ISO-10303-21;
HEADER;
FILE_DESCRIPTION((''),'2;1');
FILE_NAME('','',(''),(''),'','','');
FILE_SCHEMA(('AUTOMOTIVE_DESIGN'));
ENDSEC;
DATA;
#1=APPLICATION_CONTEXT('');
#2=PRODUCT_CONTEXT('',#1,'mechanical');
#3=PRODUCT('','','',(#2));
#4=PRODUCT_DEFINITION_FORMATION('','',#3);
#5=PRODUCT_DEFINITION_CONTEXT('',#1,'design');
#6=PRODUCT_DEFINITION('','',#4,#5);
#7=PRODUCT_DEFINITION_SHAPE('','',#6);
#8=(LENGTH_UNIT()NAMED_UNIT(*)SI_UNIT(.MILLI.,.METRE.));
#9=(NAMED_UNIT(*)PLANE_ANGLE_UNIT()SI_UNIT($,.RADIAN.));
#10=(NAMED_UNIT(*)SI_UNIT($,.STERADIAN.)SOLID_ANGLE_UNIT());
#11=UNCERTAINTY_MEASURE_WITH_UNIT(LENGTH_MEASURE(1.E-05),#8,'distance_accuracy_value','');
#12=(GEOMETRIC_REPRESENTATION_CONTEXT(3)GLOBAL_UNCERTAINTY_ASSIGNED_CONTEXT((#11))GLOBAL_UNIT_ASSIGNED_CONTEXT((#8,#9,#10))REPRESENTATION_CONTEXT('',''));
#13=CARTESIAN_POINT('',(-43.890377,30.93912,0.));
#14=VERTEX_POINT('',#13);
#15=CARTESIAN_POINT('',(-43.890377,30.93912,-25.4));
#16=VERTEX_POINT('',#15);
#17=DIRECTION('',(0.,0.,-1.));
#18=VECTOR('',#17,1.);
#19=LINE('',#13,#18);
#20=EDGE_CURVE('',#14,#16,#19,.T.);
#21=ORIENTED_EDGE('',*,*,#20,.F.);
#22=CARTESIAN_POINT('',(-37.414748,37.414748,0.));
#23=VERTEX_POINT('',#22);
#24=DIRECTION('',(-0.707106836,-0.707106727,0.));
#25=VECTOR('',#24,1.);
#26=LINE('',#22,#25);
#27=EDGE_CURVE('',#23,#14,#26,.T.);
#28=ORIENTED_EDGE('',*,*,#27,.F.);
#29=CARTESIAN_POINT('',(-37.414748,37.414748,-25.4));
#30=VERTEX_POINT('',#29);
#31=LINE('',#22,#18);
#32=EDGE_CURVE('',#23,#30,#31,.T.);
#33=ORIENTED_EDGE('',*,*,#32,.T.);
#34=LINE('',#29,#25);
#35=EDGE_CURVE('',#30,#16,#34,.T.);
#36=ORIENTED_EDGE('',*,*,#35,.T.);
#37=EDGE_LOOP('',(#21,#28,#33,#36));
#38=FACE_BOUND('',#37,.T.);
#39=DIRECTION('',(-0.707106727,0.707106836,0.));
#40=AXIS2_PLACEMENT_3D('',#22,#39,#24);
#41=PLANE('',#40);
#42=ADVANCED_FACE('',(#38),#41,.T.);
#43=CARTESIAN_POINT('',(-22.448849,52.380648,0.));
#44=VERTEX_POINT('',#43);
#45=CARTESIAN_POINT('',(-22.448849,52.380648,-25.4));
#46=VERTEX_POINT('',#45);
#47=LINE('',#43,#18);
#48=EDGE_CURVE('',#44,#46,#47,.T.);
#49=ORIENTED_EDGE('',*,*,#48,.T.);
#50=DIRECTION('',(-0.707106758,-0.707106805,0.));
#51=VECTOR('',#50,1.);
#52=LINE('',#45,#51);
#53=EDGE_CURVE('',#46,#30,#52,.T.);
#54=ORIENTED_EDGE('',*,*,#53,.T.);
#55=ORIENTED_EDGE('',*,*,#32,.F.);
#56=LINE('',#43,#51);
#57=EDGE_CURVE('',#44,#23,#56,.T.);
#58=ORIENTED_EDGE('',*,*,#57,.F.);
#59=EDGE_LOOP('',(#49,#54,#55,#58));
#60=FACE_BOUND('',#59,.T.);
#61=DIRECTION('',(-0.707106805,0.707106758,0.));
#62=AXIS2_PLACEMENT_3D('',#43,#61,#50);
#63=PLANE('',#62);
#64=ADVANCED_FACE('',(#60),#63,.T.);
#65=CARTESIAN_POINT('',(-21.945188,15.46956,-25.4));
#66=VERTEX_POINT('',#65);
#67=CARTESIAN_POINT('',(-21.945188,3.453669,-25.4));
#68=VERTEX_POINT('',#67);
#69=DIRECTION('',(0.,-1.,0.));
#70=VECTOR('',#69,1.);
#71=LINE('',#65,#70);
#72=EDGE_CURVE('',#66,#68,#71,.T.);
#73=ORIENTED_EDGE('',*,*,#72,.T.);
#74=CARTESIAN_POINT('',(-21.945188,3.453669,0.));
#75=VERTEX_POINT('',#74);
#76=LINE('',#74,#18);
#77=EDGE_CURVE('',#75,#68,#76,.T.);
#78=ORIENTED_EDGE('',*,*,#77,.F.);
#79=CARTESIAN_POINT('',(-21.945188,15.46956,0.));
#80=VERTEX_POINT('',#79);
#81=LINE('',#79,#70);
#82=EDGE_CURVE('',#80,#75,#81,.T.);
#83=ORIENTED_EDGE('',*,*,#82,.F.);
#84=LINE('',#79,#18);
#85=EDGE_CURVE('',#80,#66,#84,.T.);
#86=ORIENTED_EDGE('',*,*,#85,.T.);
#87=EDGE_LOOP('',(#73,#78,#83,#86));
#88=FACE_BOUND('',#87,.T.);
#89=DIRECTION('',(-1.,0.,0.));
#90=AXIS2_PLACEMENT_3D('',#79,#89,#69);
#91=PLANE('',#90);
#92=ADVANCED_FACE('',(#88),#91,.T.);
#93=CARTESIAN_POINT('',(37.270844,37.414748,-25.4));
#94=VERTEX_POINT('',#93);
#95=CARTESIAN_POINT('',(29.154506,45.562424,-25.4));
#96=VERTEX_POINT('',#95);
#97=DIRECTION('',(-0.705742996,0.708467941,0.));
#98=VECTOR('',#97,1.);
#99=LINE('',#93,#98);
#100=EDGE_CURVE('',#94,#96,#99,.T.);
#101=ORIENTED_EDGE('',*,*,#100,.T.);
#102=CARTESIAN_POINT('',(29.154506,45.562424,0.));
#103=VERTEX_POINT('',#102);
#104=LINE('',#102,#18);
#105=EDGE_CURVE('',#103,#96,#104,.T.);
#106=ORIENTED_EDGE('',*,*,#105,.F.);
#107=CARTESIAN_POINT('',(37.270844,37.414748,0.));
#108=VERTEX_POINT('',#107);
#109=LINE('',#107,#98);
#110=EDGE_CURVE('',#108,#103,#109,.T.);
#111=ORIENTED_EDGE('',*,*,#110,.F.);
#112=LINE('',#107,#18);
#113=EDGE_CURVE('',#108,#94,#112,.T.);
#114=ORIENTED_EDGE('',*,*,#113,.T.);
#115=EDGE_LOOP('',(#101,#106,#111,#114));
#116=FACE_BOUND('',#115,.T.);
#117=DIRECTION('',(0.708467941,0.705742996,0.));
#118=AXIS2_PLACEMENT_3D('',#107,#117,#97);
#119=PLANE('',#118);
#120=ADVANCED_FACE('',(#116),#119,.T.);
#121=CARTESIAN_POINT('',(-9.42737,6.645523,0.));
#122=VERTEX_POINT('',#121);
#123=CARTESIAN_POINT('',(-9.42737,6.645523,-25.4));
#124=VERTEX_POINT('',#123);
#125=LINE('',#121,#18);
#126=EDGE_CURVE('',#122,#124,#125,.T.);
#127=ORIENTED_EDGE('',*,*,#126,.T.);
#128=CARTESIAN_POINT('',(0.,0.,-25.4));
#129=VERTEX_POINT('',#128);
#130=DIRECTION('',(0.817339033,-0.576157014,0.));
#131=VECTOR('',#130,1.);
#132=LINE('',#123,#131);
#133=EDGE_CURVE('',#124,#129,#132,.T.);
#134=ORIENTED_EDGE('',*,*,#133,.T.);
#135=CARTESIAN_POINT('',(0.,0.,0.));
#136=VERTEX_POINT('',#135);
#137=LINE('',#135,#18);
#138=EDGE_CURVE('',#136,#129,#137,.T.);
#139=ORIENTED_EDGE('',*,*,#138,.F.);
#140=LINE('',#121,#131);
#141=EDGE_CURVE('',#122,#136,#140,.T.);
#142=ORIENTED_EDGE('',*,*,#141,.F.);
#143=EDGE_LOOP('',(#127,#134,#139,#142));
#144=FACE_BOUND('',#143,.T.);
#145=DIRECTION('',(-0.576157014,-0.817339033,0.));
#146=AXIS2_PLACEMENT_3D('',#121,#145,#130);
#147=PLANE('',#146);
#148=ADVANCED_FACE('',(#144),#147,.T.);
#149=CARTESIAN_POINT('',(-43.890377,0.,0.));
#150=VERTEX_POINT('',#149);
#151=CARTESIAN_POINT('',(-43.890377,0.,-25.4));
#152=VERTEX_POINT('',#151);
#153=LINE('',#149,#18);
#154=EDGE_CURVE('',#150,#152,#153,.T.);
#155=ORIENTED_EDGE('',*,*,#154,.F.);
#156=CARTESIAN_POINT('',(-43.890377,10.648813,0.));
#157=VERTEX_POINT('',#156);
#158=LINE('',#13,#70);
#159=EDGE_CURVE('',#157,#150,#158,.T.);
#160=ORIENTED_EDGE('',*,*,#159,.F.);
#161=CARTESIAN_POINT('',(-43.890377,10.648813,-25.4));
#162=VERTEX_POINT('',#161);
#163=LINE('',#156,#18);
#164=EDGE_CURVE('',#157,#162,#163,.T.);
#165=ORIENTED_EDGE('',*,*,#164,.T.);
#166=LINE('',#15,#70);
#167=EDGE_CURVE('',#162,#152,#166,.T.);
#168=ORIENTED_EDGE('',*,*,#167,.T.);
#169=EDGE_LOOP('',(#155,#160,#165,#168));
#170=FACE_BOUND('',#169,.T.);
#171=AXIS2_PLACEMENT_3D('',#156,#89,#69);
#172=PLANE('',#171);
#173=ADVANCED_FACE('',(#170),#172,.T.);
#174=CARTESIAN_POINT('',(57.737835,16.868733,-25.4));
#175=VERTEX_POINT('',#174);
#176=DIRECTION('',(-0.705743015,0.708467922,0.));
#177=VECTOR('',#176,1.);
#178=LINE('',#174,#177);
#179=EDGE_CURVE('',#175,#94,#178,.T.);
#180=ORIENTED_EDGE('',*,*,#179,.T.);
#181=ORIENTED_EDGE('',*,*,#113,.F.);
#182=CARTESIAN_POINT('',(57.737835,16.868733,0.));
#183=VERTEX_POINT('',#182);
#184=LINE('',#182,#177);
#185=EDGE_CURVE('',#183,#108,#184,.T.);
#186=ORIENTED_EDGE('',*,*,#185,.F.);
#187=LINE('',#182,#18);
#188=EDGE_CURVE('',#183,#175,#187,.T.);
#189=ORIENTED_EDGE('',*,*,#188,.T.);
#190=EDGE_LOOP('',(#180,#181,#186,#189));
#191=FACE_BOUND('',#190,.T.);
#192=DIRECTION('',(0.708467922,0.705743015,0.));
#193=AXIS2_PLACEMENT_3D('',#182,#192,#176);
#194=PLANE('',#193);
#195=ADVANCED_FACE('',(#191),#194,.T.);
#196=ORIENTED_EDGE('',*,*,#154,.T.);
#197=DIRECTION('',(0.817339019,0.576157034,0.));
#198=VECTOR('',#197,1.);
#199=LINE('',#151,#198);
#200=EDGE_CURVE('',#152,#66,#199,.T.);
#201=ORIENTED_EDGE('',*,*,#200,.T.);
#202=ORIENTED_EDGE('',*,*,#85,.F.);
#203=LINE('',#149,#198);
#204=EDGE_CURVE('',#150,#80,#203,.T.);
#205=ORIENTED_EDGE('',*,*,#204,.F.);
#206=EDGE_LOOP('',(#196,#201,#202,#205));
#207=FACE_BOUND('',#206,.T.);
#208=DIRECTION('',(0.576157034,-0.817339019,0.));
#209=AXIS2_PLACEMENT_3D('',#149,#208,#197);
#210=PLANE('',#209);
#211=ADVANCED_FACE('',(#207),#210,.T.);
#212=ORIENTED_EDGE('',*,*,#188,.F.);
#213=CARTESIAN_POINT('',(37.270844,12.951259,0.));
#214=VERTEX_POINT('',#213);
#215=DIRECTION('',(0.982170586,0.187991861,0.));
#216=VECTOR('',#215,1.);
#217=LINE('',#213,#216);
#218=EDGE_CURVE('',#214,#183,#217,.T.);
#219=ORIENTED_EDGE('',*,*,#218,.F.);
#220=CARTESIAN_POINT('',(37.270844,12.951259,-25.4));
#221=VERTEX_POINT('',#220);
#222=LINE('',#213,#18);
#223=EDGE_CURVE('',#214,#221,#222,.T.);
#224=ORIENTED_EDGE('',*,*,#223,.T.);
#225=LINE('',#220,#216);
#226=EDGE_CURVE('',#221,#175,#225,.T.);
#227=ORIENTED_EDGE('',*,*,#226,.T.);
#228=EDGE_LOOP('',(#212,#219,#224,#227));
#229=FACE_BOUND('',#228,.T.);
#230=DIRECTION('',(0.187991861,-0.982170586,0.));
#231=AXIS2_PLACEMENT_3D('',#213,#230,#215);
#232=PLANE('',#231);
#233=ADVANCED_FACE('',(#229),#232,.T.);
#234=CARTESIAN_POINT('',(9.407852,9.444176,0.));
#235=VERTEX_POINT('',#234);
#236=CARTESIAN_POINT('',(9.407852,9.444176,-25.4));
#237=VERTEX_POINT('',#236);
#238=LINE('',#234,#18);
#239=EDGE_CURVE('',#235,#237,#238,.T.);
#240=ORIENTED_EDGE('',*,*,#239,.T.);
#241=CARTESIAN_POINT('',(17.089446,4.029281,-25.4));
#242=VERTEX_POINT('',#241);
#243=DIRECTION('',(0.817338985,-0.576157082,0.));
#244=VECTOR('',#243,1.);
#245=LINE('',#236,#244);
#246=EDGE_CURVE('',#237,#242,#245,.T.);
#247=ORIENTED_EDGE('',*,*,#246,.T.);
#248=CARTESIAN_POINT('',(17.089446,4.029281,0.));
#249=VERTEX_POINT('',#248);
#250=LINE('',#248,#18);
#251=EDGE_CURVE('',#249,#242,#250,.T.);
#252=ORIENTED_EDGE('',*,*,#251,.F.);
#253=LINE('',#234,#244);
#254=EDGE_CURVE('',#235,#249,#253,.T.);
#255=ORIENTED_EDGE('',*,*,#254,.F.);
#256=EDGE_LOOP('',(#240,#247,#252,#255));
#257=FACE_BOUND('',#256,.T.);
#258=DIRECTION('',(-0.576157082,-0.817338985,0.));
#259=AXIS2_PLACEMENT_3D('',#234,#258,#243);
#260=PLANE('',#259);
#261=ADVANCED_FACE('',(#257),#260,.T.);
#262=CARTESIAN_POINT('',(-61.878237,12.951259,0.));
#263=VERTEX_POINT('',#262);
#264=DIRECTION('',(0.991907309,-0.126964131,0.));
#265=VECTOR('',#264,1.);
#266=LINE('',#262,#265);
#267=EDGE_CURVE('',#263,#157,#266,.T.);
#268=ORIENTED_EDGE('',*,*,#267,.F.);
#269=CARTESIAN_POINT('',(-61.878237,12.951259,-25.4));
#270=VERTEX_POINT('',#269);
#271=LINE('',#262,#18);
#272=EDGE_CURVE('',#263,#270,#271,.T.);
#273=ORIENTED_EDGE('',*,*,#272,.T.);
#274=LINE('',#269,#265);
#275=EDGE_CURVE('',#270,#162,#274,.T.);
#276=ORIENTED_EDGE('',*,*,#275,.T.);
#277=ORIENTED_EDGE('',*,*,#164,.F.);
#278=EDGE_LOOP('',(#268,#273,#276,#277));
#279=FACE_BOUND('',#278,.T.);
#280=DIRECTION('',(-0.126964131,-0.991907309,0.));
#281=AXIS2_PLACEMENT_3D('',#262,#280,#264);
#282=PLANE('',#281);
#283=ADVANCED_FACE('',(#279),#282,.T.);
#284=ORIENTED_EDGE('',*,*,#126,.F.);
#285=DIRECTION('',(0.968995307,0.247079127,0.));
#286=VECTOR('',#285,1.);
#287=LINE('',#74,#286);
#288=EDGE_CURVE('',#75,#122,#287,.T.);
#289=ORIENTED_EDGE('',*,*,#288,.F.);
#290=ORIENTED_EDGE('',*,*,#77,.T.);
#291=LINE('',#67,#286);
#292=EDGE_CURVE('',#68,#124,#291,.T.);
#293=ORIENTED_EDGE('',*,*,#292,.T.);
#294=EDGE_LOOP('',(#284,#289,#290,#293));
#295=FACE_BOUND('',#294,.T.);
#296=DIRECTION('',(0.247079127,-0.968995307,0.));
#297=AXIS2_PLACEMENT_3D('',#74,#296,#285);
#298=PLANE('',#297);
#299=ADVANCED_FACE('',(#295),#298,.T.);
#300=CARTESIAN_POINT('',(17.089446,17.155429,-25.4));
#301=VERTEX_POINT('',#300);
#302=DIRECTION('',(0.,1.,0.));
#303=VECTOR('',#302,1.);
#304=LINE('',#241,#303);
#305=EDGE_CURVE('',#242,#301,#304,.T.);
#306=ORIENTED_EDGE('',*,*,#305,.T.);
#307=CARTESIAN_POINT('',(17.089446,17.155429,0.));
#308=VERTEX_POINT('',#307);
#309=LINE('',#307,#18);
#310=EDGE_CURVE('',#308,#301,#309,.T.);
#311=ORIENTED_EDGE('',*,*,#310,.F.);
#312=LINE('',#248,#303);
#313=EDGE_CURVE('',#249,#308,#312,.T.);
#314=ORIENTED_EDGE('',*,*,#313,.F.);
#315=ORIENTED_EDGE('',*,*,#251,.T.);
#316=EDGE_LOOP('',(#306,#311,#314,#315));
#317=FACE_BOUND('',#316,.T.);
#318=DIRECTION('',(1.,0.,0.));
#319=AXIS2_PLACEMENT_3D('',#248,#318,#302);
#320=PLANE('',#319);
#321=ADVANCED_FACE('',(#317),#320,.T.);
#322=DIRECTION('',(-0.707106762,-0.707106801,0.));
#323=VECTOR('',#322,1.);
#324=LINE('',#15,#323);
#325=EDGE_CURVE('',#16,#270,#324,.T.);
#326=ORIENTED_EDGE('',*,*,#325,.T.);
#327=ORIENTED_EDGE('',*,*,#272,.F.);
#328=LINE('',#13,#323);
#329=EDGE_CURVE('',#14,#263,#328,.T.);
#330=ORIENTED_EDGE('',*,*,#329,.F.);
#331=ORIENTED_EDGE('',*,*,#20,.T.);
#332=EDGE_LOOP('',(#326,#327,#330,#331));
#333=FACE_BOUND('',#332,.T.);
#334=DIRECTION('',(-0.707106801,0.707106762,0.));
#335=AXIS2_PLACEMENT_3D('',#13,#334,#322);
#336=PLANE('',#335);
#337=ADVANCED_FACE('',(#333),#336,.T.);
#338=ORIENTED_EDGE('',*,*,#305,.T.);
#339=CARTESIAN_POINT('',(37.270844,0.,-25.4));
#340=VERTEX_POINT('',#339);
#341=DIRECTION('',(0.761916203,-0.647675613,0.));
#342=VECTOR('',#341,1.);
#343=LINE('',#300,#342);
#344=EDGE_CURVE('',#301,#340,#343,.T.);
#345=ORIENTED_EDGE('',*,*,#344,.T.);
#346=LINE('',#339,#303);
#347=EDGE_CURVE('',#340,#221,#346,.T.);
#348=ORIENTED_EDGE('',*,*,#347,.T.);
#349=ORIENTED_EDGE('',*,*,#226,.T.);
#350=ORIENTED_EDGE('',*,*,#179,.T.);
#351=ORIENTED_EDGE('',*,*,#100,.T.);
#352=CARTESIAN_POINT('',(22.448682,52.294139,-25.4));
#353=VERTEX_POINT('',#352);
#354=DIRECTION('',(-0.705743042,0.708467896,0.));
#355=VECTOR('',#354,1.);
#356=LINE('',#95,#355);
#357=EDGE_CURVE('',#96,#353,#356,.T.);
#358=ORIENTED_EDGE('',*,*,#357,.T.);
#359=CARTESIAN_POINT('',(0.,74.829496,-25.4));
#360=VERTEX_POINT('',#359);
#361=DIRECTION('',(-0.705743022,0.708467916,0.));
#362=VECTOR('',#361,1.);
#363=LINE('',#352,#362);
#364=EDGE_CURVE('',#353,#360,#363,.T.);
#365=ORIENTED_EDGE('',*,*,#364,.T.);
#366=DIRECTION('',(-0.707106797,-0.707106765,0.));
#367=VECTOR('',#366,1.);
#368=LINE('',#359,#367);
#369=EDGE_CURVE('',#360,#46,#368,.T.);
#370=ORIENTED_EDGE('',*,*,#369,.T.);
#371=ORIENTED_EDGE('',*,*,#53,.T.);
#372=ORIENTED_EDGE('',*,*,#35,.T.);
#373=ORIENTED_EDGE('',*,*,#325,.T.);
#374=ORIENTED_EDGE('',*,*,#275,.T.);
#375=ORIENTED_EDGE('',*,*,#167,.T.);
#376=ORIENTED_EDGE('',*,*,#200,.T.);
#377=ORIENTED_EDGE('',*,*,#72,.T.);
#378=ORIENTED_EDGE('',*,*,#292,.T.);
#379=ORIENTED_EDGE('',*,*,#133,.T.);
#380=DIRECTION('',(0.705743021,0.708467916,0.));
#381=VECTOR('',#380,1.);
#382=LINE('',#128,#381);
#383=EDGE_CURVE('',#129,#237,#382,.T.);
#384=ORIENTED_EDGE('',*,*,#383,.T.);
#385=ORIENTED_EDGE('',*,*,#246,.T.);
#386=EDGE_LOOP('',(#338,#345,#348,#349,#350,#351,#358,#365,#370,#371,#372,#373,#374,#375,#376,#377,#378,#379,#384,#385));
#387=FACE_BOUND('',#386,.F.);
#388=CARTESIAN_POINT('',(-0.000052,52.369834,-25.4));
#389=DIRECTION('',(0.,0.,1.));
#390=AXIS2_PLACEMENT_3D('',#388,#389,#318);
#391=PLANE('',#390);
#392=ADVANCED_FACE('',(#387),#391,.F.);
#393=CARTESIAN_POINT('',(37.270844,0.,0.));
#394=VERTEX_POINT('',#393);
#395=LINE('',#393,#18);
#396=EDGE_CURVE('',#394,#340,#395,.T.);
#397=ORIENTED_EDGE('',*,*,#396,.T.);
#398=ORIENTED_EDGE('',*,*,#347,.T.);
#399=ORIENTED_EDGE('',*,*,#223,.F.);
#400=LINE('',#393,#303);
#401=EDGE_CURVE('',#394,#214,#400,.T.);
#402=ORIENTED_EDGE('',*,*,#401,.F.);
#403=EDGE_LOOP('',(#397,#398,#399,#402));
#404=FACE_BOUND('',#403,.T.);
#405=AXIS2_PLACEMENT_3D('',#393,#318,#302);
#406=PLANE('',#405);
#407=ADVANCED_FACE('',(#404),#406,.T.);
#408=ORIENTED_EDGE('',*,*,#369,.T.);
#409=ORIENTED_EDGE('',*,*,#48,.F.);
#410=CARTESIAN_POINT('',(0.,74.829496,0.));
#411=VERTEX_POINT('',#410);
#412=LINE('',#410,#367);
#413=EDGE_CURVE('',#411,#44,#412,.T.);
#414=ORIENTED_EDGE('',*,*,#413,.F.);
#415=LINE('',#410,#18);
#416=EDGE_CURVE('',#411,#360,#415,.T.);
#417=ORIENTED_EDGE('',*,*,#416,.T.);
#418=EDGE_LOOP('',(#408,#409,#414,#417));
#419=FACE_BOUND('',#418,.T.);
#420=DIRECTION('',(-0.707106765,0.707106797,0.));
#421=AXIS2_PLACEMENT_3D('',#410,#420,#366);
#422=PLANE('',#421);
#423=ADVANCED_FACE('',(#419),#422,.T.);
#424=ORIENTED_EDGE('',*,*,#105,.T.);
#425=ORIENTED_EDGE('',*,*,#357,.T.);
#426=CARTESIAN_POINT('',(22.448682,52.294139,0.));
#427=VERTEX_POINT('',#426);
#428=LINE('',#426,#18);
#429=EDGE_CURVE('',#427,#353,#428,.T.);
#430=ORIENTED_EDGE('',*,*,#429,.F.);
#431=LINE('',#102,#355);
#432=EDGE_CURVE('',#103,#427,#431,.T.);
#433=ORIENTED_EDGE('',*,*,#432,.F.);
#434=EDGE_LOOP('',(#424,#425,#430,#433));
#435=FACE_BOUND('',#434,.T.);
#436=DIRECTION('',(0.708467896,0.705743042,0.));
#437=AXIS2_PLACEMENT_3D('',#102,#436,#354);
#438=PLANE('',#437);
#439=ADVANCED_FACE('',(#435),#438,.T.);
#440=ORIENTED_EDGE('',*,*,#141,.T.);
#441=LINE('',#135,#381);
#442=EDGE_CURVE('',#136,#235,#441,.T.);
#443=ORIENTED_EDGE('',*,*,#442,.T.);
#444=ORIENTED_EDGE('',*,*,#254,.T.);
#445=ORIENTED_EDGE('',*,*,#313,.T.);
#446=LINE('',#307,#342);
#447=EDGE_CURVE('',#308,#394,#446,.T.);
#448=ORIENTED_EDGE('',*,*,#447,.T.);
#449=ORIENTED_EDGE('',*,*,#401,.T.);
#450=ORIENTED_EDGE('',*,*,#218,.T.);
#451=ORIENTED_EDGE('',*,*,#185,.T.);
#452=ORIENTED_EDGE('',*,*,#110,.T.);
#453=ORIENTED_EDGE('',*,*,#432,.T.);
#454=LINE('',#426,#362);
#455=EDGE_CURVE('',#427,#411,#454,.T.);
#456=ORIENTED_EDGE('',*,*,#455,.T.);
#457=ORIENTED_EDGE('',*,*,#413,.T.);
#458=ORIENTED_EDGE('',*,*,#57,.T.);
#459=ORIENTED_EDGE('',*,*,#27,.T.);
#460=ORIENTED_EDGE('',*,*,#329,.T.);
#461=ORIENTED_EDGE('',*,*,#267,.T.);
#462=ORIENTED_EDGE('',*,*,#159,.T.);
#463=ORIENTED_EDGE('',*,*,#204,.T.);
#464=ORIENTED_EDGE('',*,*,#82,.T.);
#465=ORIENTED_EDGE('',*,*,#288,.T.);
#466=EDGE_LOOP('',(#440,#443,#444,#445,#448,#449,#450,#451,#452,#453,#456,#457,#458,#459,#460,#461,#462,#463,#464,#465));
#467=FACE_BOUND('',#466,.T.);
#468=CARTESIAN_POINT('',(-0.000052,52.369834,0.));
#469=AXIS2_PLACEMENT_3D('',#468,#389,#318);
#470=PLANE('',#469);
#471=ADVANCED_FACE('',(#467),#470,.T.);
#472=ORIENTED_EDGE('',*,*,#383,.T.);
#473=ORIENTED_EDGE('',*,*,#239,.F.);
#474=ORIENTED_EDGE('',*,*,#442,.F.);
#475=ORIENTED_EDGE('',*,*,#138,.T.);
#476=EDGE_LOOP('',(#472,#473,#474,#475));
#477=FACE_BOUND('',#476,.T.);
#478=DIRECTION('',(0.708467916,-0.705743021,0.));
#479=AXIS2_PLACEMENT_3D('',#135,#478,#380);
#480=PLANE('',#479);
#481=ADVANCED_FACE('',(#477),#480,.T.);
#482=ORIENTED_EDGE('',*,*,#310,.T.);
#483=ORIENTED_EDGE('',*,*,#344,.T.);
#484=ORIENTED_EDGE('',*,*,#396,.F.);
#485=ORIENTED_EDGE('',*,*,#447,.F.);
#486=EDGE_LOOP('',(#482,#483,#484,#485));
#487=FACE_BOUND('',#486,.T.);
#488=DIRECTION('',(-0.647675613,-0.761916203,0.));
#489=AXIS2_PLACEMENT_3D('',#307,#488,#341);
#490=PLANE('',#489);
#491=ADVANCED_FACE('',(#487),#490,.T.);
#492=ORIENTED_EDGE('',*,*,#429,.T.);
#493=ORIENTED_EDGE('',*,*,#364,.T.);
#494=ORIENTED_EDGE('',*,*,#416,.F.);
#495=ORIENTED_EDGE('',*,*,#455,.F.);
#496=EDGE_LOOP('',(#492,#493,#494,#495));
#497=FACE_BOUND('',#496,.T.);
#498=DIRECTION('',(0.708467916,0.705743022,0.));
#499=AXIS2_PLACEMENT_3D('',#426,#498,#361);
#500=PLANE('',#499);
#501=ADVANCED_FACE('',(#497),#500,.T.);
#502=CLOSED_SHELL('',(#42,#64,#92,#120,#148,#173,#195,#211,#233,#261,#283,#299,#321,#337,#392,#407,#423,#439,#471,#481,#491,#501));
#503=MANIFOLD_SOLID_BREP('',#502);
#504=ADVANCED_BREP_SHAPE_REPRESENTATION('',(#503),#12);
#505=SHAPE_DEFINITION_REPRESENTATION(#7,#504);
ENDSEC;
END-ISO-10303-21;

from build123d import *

# Parameters (mm, degrees)
F1_DEPTH = 25.4


with BuildPart() as f1:
    # F0 (on Top) → F1 (new body)
    with BuildSketch(Plane.XY):
        Polygon((0, 74.829496), (-22.448849, 52.380648), (0, 29.931799), (22.448682, 52.294139), align=None)
        Polygon((-22.448849, 52.380648), (-37.414748, 37.414748), (0, 12.951259), (0, 29.931799), align=None)
        Polygon((0, 29.931799), (0, 12.951259), (29.154506, 45.562424), (22.448682, 52.294139), align=None)
        Polygon((29.154506, 45.562424), (0, 12.951259), (0, 0), (9.407852, 9.444176), (17.089446, 17.155429), (37.270844, 37.414748), align=None)
        Polygon((-37.414748, 37.414748), (-43.890377, 30.93912), (-21.945188, 15.46956), (-9.42737, 6.645523), (0, 0), (0, 12.951259), align=None)
        Polygon((-21.945188, 15.46956), (-43.890377, 30.93912), (-43.890377, 10.648813), (-43.890377, 0), align=None)
        Polygon((-43.890377, 30.93912), (-61.878237, 12.951259), (-43.890377, 10.648813), align=None)
        Polygon((-9.42737, 6.645523), (-21.945188, 15.46956), (-21.945188, 3.453669), align=None)
        Polygon((17.089446, 17.155429), (9.407852, 9.444176), (17.089446, 4.029281), align=None)
        Polygon((37.270844, 12.951259), (37.270844, 37.414748), (17.089446, 17.155429), (37.270844, 0), align=None)
        Polygon((57.737835, 16.868733), (37.270844, 37.414748), (37.270844, 12.951259), align=None)
    extrude(amount=-F1_DEPTH)


solid = f1.part
